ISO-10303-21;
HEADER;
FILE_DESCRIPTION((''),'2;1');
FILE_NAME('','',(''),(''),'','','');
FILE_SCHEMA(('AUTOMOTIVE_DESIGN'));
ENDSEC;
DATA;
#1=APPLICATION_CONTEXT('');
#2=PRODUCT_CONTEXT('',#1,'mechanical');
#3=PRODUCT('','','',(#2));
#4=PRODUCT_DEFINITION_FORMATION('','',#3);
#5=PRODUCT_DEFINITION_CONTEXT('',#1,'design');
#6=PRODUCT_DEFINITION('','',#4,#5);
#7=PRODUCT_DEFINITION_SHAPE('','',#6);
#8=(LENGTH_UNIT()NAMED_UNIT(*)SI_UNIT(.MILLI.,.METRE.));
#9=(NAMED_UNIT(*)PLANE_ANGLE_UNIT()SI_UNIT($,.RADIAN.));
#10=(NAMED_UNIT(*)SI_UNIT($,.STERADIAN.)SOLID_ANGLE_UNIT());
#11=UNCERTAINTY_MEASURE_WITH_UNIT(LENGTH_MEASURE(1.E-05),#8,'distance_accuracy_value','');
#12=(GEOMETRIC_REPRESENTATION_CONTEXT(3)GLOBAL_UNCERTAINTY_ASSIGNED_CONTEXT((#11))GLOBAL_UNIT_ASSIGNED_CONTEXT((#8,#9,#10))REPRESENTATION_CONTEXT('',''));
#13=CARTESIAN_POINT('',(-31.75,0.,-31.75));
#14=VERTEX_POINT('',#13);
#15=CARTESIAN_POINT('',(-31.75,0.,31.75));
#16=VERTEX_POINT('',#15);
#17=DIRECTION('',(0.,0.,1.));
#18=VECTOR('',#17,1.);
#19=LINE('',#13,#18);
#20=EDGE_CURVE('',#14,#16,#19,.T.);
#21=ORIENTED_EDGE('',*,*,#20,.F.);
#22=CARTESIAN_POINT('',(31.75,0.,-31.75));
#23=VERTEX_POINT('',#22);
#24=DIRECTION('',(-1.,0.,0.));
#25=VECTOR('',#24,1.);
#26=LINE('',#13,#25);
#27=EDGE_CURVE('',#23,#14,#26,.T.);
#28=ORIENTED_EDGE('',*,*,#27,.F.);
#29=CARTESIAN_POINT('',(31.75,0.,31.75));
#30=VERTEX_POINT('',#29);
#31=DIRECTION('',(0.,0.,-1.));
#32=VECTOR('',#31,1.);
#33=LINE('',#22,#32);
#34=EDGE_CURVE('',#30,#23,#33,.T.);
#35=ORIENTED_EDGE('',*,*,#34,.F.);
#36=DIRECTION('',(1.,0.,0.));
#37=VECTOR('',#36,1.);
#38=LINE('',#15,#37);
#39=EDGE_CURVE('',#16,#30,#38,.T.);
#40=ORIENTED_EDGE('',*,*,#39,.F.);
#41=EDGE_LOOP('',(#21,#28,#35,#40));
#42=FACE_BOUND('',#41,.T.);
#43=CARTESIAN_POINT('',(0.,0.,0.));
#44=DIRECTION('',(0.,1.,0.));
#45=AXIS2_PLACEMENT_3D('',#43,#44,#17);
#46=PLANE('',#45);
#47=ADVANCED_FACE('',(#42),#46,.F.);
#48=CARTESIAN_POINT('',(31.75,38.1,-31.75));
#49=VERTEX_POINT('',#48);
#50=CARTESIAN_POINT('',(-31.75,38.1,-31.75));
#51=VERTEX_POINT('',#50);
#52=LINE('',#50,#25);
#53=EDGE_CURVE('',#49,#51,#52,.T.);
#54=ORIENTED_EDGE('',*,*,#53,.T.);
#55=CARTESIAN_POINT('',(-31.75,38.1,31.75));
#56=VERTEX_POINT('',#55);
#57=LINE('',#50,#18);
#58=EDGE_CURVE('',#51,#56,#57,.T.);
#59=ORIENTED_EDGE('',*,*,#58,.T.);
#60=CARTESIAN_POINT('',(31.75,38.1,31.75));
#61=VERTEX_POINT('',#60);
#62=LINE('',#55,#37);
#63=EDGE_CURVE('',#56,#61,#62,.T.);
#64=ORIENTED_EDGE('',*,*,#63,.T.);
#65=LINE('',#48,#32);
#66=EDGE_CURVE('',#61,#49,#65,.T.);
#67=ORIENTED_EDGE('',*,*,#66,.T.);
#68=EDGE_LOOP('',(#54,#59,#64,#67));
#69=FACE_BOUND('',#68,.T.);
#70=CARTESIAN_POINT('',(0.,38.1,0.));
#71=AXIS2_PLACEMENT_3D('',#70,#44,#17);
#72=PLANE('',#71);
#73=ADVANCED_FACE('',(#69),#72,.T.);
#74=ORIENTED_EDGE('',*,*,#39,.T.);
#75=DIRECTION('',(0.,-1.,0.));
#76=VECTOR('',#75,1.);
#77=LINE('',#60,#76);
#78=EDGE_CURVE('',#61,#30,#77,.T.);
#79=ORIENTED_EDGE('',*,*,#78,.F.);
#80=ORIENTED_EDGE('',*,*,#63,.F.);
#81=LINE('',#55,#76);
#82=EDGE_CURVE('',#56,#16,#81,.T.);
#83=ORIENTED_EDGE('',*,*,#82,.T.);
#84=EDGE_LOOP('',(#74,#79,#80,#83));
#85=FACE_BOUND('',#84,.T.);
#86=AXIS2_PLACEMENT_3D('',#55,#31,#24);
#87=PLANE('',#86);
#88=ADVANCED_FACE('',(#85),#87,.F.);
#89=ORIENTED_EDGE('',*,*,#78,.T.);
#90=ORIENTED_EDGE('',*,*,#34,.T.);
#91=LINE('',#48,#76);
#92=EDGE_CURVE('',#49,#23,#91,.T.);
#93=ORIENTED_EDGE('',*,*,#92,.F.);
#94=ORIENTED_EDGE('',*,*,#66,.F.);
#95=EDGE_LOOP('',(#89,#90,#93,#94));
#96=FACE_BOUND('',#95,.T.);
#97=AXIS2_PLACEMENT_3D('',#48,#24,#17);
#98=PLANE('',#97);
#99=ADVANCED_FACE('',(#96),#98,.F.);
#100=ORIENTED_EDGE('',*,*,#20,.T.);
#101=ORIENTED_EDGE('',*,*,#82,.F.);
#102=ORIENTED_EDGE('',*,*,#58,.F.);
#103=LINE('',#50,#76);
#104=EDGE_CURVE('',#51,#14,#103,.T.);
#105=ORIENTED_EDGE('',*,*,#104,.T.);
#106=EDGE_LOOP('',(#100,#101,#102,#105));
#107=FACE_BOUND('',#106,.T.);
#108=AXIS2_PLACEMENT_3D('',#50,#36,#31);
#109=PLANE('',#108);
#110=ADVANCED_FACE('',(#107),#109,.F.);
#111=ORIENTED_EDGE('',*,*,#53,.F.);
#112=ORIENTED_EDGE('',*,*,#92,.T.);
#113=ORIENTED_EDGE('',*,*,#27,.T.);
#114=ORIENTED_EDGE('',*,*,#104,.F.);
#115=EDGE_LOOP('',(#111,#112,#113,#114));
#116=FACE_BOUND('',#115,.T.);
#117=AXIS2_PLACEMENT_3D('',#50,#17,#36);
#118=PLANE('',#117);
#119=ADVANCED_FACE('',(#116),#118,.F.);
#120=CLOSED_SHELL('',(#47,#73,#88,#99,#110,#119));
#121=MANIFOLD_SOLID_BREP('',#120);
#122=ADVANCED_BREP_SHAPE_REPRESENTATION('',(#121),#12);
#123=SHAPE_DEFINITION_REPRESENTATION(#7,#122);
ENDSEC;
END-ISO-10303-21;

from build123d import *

# Parameters (mm, degrees)
SKETCH1_W           = 63.5
SKETCH1_H           = 63.5
BOSS_EXTRUDE1_DEPTH = 38.1


with BuildPart() as part:
    # Sketch1 → Boss-Extrude1 (new body)
    with BuildSketch(Plane(origin=(0, 0, 0), x_dir=(1, 0, 0), z_dir=(0, 1, 0))):
        Rectangle(SKETCH1_W, SKETCH1_H)
    extrude(amount=BOSS_EXTRUDE1_DEPTH)


solid = part.part
